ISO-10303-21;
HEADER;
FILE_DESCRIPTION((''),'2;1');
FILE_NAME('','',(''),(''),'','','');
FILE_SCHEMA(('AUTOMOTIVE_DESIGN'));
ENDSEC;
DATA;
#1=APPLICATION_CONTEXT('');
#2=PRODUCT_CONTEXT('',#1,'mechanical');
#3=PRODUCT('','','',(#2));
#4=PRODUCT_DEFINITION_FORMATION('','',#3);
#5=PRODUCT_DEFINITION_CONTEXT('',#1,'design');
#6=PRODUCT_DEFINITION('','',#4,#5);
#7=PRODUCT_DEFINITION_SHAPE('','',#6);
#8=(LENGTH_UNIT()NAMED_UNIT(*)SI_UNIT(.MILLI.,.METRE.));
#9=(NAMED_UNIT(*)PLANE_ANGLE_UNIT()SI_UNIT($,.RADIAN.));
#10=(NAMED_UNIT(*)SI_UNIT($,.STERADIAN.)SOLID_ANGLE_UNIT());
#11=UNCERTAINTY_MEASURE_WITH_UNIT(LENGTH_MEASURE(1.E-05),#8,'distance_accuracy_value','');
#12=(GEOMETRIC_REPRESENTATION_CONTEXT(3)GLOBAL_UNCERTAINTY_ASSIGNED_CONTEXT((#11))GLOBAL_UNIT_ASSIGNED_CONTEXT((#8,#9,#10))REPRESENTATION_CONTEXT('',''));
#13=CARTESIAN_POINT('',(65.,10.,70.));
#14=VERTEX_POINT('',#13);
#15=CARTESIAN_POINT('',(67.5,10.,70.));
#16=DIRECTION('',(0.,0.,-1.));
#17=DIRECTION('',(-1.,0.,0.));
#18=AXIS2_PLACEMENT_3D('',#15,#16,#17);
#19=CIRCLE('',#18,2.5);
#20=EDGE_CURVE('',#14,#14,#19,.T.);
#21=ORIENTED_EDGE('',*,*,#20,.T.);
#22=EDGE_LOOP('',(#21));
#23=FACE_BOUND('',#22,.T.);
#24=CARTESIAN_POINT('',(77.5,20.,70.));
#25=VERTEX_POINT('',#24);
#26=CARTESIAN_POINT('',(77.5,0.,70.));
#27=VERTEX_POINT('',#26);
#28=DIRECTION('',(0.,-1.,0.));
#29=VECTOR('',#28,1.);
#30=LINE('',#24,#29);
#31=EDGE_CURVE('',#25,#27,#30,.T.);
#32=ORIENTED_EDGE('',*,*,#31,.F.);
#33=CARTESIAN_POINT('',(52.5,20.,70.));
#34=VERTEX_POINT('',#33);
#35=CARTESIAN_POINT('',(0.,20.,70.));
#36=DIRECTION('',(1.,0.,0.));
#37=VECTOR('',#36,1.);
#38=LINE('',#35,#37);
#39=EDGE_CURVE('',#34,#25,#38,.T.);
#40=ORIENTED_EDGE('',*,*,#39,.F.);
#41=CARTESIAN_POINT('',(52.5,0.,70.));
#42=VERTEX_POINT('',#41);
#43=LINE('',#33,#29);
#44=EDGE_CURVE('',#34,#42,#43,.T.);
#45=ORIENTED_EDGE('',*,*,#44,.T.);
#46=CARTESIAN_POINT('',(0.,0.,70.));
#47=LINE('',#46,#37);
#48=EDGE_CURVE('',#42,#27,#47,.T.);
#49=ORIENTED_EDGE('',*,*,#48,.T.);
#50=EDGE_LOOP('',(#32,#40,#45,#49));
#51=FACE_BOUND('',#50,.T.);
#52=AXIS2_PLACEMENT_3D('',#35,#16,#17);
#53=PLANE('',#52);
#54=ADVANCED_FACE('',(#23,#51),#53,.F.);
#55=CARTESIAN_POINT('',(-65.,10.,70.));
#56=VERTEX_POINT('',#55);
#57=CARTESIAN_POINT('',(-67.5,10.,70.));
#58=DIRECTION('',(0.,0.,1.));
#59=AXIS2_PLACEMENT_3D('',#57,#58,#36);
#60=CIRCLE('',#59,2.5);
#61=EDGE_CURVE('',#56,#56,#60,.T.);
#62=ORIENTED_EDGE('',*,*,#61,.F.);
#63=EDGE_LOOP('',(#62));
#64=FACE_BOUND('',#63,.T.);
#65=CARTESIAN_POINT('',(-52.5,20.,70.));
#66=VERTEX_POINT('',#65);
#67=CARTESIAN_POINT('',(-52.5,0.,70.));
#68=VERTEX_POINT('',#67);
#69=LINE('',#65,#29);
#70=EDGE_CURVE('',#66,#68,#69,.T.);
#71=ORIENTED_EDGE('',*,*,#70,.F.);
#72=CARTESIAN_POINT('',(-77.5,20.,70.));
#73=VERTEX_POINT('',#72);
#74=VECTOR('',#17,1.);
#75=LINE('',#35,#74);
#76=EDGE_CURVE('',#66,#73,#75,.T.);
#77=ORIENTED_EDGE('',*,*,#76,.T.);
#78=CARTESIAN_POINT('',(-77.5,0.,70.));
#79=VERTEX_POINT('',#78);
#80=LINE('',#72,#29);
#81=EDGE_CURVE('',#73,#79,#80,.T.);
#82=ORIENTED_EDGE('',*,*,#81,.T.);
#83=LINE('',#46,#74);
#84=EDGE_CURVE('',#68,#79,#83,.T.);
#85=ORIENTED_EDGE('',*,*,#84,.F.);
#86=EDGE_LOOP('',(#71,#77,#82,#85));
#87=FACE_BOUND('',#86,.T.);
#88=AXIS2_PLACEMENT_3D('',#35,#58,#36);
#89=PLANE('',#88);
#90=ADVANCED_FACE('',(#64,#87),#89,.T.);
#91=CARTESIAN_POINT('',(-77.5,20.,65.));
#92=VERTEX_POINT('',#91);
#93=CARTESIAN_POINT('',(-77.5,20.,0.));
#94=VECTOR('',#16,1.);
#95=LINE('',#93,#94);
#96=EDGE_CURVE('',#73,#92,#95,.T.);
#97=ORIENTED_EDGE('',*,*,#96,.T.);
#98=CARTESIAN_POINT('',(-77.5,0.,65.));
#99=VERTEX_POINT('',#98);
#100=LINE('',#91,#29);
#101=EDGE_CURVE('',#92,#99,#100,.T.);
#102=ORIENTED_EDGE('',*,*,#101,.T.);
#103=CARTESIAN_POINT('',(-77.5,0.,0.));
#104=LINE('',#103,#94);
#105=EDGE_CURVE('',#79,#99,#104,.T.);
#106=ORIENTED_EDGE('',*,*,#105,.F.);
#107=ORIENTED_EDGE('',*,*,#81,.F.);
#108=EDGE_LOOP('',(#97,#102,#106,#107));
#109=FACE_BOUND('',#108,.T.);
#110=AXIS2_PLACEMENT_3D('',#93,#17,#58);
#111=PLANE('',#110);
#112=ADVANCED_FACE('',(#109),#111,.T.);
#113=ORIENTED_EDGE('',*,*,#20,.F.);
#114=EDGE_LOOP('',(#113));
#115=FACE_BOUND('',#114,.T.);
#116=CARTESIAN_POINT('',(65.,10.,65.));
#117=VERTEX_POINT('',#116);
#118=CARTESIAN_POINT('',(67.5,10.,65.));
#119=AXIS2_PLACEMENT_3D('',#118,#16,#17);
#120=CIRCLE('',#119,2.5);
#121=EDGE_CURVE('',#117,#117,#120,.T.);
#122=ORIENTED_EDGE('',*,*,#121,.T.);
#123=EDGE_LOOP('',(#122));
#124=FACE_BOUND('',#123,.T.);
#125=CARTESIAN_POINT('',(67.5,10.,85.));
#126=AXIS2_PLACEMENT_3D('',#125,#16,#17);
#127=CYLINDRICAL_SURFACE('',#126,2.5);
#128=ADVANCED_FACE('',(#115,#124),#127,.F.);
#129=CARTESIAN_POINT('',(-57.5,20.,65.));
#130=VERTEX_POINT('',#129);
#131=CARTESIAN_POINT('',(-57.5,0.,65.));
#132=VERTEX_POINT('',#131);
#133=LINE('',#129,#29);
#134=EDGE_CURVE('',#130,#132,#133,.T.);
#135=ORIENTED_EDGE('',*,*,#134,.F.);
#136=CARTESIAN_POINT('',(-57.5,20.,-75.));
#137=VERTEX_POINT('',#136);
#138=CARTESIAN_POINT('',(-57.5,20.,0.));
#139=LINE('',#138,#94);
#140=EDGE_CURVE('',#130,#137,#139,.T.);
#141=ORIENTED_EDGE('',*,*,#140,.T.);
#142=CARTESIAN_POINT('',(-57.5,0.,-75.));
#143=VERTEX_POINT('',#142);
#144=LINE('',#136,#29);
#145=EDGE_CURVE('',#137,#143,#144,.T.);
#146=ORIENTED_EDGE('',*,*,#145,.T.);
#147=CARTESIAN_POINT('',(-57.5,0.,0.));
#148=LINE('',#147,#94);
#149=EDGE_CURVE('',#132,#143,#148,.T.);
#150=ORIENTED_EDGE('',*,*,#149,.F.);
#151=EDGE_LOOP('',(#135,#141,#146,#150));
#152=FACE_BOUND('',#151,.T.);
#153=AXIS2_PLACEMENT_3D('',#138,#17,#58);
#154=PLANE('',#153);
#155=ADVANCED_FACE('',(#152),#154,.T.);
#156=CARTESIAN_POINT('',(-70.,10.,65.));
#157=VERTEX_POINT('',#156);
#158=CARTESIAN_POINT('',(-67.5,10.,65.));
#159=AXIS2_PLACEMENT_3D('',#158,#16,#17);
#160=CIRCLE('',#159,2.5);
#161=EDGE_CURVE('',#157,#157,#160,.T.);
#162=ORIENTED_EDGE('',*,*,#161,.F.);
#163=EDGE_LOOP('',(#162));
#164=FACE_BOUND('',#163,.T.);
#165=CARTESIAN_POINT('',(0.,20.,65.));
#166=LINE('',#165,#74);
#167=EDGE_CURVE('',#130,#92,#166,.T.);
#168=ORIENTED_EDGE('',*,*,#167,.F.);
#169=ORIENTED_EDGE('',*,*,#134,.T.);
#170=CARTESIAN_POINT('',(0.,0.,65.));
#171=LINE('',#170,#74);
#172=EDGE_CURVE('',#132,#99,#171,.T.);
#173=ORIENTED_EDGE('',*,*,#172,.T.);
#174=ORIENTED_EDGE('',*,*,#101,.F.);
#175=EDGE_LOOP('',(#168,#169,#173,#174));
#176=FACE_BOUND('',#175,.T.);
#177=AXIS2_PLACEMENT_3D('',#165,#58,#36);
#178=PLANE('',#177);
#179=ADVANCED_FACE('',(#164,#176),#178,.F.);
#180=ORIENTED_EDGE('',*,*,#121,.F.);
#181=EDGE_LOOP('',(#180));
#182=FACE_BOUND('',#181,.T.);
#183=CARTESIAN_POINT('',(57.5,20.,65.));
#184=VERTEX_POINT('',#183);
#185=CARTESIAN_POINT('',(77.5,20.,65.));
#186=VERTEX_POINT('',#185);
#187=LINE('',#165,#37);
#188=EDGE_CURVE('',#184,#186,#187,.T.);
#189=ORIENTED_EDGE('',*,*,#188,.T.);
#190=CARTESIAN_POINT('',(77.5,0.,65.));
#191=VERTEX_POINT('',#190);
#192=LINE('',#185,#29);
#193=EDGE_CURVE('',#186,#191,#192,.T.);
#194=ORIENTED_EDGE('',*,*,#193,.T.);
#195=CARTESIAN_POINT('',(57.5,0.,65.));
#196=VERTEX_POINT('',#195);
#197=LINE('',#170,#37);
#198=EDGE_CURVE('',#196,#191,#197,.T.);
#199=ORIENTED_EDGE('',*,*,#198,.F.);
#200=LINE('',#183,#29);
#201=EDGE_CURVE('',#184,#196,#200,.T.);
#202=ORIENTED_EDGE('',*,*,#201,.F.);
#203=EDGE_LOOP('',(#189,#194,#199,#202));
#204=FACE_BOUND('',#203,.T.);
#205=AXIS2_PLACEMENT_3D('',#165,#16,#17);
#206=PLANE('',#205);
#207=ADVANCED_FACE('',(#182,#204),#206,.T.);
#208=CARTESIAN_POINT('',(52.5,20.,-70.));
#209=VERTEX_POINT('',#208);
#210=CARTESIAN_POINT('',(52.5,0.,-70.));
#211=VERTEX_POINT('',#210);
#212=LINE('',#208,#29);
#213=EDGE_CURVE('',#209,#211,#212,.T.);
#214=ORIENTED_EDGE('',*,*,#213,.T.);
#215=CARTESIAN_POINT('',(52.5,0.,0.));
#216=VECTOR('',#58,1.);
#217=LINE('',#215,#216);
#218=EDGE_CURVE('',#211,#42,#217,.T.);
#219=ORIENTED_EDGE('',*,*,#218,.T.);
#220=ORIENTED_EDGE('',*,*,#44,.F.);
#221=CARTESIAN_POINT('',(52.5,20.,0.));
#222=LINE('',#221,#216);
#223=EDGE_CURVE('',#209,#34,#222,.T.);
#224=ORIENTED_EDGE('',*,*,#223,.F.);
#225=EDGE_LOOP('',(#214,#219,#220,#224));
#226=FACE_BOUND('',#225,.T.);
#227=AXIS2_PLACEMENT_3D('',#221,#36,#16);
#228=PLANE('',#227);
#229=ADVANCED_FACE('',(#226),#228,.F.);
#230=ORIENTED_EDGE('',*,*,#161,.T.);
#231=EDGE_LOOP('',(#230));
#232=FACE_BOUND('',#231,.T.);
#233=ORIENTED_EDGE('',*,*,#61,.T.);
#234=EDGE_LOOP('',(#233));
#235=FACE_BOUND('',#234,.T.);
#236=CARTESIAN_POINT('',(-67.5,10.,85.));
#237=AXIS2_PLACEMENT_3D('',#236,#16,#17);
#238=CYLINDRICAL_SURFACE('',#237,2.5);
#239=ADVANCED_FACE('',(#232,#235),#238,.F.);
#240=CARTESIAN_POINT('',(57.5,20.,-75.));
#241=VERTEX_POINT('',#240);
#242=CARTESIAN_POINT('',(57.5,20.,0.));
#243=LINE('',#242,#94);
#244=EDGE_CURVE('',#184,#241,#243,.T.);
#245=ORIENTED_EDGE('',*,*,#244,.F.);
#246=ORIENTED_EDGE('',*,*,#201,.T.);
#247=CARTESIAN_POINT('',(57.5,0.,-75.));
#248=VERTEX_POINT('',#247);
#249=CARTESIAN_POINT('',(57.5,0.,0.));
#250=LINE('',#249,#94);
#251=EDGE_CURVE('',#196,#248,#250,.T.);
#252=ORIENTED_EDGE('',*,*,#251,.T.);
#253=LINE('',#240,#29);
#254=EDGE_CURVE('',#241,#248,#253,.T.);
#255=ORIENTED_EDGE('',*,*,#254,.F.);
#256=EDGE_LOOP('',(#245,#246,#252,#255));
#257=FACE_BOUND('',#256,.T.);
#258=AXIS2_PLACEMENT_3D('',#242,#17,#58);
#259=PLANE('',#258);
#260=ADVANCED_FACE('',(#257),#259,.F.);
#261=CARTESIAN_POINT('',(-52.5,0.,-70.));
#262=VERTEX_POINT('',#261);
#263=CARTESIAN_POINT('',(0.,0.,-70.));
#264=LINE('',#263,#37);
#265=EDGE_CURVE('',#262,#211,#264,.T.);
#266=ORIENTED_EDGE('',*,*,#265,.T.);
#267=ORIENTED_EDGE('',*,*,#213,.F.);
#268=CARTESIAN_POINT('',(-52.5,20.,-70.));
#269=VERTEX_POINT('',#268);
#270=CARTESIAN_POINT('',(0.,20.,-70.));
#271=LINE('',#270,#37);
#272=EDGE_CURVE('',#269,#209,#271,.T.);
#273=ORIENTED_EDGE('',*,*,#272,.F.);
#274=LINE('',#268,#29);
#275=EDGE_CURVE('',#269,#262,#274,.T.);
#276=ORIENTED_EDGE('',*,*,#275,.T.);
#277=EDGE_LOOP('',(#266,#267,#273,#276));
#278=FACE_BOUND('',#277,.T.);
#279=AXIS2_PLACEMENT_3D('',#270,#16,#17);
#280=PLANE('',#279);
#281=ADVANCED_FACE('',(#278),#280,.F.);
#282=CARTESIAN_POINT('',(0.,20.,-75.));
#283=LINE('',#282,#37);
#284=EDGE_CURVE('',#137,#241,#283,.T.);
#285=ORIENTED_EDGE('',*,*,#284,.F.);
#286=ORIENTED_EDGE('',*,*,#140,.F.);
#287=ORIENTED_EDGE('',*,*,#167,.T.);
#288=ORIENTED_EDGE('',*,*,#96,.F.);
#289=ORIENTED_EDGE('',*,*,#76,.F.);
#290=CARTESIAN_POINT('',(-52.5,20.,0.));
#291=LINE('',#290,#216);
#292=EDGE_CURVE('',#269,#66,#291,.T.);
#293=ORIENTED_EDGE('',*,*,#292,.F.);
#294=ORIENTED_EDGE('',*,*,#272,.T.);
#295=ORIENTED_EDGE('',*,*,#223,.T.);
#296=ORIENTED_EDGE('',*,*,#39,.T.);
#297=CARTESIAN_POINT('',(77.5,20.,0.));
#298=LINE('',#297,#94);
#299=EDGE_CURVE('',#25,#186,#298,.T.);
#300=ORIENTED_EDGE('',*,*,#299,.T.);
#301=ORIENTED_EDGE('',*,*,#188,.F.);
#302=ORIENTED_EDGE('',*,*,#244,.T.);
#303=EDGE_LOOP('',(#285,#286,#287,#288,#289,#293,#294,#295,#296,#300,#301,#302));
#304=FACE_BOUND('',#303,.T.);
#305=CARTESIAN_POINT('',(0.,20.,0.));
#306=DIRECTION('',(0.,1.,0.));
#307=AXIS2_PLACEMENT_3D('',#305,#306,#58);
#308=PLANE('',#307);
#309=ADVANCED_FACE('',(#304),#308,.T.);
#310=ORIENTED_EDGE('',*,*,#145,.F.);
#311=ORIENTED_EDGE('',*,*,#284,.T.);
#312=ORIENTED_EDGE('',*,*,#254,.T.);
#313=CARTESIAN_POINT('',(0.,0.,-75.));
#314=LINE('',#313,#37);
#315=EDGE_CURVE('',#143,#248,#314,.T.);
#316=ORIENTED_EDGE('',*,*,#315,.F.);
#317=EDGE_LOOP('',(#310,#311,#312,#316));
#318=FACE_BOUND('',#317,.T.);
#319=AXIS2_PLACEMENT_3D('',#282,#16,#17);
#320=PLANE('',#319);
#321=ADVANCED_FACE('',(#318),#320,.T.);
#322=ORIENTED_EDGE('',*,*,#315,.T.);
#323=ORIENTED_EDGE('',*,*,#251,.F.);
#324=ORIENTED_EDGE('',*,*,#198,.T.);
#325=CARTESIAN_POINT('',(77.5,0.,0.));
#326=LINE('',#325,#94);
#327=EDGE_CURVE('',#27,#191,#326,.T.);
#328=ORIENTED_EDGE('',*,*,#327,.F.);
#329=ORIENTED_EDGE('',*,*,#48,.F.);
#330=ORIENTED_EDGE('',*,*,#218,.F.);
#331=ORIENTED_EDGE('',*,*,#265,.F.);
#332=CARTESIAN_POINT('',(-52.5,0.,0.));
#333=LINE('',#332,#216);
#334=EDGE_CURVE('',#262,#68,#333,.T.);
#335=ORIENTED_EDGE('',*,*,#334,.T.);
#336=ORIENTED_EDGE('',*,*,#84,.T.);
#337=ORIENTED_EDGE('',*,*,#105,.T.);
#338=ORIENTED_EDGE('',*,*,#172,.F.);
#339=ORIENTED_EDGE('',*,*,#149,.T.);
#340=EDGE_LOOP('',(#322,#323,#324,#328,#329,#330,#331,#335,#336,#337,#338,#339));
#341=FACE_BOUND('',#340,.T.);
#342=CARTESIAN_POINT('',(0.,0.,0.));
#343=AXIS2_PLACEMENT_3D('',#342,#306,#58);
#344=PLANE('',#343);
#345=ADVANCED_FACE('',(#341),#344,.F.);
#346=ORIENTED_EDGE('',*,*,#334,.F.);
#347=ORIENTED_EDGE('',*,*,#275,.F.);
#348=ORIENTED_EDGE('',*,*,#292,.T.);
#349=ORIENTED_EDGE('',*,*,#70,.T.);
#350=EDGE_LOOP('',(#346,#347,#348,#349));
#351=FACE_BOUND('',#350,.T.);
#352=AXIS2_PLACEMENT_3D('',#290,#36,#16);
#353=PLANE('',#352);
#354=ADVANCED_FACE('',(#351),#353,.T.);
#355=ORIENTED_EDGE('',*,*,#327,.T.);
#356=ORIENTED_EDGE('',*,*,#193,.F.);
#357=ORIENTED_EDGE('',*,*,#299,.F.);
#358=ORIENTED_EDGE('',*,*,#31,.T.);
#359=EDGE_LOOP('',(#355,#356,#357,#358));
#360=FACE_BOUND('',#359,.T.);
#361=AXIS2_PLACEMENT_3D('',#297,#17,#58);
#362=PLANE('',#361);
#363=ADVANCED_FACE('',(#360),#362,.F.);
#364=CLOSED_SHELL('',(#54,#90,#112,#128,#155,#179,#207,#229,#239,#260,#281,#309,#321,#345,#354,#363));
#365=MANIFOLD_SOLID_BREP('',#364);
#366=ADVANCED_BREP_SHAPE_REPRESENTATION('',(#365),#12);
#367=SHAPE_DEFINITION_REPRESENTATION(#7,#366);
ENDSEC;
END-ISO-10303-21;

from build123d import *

# Parameters (mm, degrees)
BOSS_EXTRUDE1_DEPTH = 20
SKETCH2_R           = 2.5
CUT_EXTRUDE1_DEPTH  = 20


with BuildPart() as part:
    # Sketch1 → Boss-Extrude1 (new body)
    with BuildSketch(Plane(origin=(0, 0, 0), x_dir=(1, 0, 0), z_dir=(0, 1, 0))):
        Polygon((52.5, -70), (77.5, -70), (77.5, -65), (57.5, -65), (57.5, 75), (-57.5, 75), (-57.5, -65), (-77.5, -65), (-77.5, -70), (-52.5, -70), (-52.5, 70), (52.5, 70), align=None)
    extrude(amount=BOSS_EXTRUDE1_DEPTH)

    # Sketch2 → Cut-Extrude1 (cut)
    with BuildSketch(Plane(origin=(0, 0, 65), x_dir=(-1, 0, 0), z_dir=(0, 0, -1))):
        with Locations((-67.5, 10)):
            Circle(SKETCH2_R)
        with Locations((67.5, 10)):
            Circle(SKETCH2_R)
    extrude(amount=-CUT_EXTRUDE1_DEPTH, mode=Mode.SUBTRACT)


solid = part.part
